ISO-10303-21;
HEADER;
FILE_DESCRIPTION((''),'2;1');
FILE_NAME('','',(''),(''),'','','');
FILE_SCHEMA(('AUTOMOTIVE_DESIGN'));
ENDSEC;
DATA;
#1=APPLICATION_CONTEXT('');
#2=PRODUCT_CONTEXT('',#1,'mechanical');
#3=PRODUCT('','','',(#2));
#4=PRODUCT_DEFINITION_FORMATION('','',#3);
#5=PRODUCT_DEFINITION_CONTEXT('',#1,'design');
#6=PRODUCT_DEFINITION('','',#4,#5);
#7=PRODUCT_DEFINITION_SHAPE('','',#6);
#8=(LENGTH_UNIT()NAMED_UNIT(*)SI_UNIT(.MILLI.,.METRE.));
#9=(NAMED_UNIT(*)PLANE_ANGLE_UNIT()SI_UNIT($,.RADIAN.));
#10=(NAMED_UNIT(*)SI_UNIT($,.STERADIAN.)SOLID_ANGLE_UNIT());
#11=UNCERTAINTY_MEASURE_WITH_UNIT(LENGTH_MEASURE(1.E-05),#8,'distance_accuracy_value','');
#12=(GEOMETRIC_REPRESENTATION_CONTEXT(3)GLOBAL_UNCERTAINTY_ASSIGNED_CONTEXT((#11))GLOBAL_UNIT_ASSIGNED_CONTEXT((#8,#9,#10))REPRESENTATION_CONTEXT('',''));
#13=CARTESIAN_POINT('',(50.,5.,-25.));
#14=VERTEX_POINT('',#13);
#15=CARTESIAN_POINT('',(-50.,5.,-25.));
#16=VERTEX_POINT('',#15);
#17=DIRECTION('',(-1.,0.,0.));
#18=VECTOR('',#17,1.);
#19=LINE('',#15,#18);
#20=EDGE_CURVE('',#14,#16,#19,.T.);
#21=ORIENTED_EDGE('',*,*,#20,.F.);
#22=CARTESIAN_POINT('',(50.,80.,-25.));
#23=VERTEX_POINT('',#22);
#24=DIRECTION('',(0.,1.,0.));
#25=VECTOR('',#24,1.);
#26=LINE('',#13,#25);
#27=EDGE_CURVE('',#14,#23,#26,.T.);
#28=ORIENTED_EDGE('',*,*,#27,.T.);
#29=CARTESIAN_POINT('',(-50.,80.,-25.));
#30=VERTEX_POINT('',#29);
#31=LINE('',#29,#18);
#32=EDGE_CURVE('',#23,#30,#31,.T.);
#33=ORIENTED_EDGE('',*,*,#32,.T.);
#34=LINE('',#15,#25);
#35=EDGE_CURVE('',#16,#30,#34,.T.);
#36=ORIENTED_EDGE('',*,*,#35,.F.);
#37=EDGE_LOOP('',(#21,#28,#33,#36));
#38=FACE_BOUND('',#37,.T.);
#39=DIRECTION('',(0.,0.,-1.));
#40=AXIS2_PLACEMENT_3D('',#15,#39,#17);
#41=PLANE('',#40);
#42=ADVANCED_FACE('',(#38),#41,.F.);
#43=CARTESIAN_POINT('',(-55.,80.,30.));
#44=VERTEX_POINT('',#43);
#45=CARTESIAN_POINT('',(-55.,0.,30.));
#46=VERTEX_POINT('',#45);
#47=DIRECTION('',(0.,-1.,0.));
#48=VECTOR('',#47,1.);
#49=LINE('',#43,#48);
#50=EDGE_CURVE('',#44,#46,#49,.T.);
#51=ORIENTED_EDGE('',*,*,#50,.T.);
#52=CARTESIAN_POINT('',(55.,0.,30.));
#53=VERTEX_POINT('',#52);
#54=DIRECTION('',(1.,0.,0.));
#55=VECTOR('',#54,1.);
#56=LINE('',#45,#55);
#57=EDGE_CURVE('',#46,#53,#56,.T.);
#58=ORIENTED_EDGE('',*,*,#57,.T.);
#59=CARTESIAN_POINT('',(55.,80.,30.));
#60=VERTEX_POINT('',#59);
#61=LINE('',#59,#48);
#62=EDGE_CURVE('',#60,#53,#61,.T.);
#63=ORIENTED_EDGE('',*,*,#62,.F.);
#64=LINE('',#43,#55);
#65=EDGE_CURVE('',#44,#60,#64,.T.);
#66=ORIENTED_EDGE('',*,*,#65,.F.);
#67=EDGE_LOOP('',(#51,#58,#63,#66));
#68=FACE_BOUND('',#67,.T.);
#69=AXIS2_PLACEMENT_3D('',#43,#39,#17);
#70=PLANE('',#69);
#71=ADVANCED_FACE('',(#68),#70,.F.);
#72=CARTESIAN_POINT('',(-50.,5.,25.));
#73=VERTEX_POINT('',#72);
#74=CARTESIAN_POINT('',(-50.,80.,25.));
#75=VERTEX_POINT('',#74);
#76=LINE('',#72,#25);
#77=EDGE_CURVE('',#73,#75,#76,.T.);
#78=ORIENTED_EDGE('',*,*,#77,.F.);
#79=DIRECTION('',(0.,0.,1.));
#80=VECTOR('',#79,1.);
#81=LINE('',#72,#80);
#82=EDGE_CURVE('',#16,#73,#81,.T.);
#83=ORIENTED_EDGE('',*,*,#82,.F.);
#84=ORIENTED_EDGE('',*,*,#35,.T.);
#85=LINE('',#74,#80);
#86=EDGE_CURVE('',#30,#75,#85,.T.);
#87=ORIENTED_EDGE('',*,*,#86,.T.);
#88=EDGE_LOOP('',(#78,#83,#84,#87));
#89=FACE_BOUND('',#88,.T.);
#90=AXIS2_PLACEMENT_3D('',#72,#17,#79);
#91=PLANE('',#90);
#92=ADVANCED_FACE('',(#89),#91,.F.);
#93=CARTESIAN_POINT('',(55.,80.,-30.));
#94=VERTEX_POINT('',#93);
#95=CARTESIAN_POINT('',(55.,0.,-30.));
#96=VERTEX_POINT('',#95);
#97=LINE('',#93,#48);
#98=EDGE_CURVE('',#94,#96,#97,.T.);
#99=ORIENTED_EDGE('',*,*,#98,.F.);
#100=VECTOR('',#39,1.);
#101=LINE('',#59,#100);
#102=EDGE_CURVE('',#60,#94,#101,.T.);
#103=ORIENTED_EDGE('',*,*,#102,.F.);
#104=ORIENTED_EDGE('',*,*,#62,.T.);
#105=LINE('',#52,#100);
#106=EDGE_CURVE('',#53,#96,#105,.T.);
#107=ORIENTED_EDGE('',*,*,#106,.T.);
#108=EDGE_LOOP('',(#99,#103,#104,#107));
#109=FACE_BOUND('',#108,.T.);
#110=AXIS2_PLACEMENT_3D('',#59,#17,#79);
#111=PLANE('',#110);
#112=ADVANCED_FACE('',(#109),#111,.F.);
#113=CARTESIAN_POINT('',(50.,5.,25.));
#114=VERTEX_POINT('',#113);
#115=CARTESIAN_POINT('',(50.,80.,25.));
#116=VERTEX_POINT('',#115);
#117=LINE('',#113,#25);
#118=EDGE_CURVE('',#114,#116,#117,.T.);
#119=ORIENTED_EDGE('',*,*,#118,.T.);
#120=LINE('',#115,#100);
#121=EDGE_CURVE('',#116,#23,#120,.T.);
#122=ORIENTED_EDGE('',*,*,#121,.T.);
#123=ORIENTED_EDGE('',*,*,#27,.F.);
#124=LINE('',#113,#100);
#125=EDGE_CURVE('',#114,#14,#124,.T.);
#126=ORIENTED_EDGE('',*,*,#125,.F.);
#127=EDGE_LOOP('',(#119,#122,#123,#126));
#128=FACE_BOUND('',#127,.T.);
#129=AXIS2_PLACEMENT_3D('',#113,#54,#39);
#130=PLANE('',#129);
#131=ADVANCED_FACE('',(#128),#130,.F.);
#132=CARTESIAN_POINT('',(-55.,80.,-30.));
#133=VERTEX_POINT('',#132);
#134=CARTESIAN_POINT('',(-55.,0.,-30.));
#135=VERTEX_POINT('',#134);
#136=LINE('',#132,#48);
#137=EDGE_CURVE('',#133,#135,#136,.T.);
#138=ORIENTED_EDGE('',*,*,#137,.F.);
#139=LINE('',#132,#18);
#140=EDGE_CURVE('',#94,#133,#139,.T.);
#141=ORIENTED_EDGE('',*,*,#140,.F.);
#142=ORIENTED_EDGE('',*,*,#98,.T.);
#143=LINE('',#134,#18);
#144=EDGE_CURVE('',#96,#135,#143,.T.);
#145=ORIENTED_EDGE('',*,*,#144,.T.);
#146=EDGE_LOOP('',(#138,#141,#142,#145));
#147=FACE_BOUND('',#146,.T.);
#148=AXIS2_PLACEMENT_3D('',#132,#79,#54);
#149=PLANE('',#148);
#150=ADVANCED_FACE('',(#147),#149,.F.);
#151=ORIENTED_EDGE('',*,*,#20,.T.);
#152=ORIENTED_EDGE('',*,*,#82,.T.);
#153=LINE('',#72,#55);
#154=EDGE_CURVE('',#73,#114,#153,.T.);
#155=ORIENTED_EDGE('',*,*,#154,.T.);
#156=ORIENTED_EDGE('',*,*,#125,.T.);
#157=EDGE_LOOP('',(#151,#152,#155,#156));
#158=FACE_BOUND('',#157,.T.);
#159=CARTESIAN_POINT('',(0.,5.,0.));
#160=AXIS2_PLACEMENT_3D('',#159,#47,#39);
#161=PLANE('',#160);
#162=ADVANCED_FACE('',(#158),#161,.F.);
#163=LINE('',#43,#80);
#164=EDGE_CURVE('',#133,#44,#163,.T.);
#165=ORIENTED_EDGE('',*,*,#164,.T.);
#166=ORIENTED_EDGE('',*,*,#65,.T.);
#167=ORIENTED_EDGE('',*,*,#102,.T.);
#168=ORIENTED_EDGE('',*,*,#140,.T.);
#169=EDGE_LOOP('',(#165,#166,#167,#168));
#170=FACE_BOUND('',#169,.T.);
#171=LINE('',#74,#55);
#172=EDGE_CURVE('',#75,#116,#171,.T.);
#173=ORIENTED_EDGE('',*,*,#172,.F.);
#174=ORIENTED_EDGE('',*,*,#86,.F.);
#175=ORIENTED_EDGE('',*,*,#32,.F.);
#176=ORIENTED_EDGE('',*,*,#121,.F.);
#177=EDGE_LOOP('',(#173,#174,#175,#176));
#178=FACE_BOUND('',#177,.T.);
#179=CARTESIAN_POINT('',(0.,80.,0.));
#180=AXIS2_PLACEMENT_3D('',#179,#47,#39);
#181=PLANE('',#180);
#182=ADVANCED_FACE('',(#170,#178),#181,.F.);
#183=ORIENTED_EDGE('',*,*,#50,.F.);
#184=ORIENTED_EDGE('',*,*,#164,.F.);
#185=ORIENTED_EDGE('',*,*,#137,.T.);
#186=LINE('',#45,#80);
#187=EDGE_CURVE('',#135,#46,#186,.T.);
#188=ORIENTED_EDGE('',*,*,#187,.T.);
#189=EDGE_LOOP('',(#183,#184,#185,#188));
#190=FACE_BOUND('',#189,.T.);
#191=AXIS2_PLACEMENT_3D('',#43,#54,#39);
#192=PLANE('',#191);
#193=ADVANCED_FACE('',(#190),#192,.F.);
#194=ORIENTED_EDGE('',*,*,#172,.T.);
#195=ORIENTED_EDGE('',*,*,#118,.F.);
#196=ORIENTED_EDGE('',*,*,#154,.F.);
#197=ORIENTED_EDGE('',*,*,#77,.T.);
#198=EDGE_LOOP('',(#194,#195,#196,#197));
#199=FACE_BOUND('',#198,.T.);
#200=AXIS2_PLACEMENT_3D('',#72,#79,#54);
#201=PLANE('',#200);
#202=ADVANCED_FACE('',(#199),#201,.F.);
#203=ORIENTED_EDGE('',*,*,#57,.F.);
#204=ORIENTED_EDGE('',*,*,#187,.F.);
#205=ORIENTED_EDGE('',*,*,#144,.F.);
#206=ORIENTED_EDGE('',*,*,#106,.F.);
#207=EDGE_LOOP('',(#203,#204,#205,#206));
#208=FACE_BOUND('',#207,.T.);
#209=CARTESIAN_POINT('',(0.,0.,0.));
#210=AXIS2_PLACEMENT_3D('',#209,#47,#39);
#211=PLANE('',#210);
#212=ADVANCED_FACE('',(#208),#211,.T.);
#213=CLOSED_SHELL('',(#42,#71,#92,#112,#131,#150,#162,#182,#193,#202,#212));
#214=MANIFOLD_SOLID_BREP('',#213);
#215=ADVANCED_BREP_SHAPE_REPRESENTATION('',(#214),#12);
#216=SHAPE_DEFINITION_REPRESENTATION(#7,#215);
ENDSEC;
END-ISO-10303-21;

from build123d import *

# Parameters (mm, degrees)
SKETCH_1_W          = 110
SKETCH_1_H          = 60
BOSS_EXTRUDE1_DEPTH = 80
SKETCH2_W           = 100
SKETCH2_H           = 50
CUT_EXTRUDE1_DEPTH  = 75


with BuildPart() as part:
    # Sketch 1 → Boss-Extrude1 (new body)
    with BuildSketch(Plane(origin=(0, 0, 0), x_dir=(1, 0, 0), z_dir=(0, 1, 0))):
        Rectangle(SKETCH_1_W, SKETCH_1_H)
    extrude(amount=BOSS_EXTRUDE1_DEPTH)

    # Sketch2 → Cut-Extrude1 (cut)
    with BuildSketch(Plane(origin=(0, 80, 0), x_dir=(1, 0, 0), z_dir=(0, 1, 0))):
        Rectangle(SKETCH2_W, SKETCH2_H)
    extrude(amount=-CUT_EXTRUDE1_DEPTH, mode=Mode.SUBTRACT)


solid = part.part
